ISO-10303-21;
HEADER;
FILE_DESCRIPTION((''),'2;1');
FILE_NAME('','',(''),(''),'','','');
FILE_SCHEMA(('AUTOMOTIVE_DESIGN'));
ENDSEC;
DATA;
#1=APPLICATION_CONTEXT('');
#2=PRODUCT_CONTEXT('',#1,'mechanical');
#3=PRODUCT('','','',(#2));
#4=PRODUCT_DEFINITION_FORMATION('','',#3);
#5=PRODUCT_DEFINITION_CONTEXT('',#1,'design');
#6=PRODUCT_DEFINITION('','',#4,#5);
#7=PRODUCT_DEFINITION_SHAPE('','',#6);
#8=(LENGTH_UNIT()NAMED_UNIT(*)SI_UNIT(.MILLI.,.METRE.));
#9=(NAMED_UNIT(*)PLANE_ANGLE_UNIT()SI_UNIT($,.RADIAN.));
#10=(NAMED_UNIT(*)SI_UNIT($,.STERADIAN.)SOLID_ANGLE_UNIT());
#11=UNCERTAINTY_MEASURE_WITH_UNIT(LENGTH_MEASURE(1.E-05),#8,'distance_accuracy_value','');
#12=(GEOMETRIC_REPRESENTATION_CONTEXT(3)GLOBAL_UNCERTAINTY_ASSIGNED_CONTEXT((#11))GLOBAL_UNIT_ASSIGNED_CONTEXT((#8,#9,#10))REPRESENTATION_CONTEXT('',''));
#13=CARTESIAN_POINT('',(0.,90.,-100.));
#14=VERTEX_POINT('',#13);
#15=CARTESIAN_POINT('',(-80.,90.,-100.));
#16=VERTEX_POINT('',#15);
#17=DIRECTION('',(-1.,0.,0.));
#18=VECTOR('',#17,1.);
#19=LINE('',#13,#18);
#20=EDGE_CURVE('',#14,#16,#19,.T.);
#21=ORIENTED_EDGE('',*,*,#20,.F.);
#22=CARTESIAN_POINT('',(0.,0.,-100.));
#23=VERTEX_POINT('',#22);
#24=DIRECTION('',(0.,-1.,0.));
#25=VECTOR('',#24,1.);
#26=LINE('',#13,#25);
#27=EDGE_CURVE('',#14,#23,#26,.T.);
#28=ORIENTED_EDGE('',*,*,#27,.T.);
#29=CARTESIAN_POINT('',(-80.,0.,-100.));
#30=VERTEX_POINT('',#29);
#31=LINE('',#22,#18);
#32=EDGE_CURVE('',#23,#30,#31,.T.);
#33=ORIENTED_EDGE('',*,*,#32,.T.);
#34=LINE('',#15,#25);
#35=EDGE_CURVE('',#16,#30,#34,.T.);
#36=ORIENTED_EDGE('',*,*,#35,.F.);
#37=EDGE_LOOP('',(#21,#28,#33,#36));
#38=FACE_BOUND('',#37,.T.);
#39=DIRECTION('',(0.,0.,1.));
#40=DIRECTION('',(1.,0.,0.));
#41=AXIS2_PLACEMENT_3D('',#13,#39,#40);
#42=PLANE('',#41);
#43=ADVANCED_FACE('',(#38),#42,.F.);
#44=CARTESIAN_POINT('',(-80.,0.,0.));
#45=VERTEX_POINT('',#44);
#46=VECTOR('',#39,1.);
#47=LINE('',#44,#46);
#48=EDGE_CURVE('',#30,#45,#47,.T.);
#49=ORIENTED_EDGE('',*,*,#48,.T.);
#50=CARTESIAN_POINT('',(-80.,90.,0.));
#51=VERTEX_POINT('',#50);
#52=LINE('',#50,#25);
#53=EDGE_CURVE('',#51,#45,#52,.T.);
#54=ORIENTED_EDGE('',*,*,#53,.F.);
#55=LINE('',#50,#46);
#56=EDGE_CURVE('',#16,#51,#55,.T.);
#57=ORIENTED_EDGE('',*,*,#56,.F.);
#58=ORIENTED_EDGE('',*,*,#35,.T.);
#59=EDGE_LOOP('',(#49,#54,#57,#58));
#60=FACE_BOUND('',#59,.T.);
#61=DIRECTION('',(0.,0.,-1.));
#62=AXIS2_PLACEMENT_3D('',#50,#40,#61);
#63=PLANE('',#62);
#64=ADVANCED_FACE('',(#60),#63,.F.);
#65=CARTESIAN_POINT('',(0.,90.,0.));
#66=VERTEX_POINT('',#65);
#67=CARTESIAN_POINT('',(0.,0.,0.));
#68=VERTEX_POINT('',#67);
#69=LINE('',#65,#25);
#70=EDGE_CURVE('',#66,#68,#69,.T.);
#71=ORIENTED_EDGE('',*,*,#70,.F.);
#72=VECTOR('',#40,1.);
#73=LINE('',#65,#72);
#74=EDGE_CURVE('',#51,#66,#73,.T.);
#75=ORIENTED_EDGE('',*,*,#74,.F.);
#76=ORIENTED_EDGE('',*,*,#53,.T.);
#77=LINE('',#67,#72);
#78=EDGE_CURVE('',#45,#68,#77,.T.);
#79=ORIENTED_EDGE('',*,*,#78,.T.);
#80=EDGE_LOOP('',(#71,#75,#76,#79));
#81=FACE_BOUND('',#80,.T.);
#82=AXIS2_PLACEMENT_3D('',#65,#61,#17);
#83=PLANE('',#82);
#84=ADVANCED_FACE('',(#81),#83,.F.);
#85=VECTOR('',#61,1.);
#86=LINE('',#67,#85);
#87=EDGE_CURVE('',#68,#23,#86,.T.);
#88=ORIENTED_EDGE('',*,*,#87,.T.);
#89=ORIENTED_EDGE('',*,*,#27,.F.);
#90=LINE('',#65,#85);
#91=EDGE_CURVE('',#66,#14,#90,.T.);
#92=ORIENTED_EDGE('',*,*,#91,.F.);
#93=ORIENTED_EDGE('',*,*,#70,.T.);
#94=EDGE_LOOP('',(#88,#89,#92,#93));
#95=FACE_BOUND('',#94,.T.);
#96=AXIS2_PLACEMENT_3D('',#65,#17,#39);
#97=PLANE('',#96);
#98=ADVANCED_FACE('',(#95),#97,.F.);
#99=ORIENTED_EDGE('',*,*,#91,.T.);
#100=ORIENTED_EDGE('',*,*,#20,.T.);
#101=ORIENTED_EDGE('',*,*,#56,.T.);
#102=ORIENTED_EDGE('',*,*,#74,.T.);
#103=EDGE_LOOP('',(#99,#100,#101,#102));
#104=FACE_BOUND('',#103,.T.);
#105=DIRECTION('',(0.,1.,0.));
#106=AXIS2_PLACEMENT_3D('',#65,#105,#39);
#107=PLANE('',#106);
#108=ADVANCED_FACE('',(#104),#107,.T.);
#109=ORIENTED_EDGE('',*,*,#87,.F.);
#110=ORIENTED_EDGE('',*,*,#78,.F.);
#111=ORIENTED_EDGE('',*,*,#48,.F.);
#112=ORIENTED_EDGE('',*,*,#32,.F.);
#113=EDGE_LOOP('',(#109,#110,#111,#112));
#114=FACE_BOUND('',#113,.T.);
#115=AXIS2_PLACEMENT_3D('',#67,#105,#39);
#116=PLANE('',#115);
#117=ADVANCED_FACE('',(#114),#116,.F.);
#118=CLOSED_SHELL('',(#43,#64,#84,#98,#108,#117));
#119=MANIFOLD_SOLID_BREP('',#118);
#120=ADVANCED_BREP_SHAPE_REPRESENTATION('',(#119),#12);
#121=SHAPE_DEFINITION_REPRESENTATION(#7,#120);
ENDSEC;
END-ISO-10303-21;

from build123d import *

# Parameters (mm, degrees)
SKETCH1_W      = 80
SKETCH1_H      = 100
EXTRUDE1_DEPTH = 90


with BuildPart() as part:
    # Sketch1 → Extrude1 (new body)
    with BuildSketch(Plane(origin=(0, 0, 0), x_dir=(1, 0, 0), z_dir=(0, 1, 0))):
        with Locations((-40, 50)):
            Rectangle(SKETCH1_W, SKETCH1_H)
    extrude(amount=EXTRUDE1_DEPTH)


solid = part.part
